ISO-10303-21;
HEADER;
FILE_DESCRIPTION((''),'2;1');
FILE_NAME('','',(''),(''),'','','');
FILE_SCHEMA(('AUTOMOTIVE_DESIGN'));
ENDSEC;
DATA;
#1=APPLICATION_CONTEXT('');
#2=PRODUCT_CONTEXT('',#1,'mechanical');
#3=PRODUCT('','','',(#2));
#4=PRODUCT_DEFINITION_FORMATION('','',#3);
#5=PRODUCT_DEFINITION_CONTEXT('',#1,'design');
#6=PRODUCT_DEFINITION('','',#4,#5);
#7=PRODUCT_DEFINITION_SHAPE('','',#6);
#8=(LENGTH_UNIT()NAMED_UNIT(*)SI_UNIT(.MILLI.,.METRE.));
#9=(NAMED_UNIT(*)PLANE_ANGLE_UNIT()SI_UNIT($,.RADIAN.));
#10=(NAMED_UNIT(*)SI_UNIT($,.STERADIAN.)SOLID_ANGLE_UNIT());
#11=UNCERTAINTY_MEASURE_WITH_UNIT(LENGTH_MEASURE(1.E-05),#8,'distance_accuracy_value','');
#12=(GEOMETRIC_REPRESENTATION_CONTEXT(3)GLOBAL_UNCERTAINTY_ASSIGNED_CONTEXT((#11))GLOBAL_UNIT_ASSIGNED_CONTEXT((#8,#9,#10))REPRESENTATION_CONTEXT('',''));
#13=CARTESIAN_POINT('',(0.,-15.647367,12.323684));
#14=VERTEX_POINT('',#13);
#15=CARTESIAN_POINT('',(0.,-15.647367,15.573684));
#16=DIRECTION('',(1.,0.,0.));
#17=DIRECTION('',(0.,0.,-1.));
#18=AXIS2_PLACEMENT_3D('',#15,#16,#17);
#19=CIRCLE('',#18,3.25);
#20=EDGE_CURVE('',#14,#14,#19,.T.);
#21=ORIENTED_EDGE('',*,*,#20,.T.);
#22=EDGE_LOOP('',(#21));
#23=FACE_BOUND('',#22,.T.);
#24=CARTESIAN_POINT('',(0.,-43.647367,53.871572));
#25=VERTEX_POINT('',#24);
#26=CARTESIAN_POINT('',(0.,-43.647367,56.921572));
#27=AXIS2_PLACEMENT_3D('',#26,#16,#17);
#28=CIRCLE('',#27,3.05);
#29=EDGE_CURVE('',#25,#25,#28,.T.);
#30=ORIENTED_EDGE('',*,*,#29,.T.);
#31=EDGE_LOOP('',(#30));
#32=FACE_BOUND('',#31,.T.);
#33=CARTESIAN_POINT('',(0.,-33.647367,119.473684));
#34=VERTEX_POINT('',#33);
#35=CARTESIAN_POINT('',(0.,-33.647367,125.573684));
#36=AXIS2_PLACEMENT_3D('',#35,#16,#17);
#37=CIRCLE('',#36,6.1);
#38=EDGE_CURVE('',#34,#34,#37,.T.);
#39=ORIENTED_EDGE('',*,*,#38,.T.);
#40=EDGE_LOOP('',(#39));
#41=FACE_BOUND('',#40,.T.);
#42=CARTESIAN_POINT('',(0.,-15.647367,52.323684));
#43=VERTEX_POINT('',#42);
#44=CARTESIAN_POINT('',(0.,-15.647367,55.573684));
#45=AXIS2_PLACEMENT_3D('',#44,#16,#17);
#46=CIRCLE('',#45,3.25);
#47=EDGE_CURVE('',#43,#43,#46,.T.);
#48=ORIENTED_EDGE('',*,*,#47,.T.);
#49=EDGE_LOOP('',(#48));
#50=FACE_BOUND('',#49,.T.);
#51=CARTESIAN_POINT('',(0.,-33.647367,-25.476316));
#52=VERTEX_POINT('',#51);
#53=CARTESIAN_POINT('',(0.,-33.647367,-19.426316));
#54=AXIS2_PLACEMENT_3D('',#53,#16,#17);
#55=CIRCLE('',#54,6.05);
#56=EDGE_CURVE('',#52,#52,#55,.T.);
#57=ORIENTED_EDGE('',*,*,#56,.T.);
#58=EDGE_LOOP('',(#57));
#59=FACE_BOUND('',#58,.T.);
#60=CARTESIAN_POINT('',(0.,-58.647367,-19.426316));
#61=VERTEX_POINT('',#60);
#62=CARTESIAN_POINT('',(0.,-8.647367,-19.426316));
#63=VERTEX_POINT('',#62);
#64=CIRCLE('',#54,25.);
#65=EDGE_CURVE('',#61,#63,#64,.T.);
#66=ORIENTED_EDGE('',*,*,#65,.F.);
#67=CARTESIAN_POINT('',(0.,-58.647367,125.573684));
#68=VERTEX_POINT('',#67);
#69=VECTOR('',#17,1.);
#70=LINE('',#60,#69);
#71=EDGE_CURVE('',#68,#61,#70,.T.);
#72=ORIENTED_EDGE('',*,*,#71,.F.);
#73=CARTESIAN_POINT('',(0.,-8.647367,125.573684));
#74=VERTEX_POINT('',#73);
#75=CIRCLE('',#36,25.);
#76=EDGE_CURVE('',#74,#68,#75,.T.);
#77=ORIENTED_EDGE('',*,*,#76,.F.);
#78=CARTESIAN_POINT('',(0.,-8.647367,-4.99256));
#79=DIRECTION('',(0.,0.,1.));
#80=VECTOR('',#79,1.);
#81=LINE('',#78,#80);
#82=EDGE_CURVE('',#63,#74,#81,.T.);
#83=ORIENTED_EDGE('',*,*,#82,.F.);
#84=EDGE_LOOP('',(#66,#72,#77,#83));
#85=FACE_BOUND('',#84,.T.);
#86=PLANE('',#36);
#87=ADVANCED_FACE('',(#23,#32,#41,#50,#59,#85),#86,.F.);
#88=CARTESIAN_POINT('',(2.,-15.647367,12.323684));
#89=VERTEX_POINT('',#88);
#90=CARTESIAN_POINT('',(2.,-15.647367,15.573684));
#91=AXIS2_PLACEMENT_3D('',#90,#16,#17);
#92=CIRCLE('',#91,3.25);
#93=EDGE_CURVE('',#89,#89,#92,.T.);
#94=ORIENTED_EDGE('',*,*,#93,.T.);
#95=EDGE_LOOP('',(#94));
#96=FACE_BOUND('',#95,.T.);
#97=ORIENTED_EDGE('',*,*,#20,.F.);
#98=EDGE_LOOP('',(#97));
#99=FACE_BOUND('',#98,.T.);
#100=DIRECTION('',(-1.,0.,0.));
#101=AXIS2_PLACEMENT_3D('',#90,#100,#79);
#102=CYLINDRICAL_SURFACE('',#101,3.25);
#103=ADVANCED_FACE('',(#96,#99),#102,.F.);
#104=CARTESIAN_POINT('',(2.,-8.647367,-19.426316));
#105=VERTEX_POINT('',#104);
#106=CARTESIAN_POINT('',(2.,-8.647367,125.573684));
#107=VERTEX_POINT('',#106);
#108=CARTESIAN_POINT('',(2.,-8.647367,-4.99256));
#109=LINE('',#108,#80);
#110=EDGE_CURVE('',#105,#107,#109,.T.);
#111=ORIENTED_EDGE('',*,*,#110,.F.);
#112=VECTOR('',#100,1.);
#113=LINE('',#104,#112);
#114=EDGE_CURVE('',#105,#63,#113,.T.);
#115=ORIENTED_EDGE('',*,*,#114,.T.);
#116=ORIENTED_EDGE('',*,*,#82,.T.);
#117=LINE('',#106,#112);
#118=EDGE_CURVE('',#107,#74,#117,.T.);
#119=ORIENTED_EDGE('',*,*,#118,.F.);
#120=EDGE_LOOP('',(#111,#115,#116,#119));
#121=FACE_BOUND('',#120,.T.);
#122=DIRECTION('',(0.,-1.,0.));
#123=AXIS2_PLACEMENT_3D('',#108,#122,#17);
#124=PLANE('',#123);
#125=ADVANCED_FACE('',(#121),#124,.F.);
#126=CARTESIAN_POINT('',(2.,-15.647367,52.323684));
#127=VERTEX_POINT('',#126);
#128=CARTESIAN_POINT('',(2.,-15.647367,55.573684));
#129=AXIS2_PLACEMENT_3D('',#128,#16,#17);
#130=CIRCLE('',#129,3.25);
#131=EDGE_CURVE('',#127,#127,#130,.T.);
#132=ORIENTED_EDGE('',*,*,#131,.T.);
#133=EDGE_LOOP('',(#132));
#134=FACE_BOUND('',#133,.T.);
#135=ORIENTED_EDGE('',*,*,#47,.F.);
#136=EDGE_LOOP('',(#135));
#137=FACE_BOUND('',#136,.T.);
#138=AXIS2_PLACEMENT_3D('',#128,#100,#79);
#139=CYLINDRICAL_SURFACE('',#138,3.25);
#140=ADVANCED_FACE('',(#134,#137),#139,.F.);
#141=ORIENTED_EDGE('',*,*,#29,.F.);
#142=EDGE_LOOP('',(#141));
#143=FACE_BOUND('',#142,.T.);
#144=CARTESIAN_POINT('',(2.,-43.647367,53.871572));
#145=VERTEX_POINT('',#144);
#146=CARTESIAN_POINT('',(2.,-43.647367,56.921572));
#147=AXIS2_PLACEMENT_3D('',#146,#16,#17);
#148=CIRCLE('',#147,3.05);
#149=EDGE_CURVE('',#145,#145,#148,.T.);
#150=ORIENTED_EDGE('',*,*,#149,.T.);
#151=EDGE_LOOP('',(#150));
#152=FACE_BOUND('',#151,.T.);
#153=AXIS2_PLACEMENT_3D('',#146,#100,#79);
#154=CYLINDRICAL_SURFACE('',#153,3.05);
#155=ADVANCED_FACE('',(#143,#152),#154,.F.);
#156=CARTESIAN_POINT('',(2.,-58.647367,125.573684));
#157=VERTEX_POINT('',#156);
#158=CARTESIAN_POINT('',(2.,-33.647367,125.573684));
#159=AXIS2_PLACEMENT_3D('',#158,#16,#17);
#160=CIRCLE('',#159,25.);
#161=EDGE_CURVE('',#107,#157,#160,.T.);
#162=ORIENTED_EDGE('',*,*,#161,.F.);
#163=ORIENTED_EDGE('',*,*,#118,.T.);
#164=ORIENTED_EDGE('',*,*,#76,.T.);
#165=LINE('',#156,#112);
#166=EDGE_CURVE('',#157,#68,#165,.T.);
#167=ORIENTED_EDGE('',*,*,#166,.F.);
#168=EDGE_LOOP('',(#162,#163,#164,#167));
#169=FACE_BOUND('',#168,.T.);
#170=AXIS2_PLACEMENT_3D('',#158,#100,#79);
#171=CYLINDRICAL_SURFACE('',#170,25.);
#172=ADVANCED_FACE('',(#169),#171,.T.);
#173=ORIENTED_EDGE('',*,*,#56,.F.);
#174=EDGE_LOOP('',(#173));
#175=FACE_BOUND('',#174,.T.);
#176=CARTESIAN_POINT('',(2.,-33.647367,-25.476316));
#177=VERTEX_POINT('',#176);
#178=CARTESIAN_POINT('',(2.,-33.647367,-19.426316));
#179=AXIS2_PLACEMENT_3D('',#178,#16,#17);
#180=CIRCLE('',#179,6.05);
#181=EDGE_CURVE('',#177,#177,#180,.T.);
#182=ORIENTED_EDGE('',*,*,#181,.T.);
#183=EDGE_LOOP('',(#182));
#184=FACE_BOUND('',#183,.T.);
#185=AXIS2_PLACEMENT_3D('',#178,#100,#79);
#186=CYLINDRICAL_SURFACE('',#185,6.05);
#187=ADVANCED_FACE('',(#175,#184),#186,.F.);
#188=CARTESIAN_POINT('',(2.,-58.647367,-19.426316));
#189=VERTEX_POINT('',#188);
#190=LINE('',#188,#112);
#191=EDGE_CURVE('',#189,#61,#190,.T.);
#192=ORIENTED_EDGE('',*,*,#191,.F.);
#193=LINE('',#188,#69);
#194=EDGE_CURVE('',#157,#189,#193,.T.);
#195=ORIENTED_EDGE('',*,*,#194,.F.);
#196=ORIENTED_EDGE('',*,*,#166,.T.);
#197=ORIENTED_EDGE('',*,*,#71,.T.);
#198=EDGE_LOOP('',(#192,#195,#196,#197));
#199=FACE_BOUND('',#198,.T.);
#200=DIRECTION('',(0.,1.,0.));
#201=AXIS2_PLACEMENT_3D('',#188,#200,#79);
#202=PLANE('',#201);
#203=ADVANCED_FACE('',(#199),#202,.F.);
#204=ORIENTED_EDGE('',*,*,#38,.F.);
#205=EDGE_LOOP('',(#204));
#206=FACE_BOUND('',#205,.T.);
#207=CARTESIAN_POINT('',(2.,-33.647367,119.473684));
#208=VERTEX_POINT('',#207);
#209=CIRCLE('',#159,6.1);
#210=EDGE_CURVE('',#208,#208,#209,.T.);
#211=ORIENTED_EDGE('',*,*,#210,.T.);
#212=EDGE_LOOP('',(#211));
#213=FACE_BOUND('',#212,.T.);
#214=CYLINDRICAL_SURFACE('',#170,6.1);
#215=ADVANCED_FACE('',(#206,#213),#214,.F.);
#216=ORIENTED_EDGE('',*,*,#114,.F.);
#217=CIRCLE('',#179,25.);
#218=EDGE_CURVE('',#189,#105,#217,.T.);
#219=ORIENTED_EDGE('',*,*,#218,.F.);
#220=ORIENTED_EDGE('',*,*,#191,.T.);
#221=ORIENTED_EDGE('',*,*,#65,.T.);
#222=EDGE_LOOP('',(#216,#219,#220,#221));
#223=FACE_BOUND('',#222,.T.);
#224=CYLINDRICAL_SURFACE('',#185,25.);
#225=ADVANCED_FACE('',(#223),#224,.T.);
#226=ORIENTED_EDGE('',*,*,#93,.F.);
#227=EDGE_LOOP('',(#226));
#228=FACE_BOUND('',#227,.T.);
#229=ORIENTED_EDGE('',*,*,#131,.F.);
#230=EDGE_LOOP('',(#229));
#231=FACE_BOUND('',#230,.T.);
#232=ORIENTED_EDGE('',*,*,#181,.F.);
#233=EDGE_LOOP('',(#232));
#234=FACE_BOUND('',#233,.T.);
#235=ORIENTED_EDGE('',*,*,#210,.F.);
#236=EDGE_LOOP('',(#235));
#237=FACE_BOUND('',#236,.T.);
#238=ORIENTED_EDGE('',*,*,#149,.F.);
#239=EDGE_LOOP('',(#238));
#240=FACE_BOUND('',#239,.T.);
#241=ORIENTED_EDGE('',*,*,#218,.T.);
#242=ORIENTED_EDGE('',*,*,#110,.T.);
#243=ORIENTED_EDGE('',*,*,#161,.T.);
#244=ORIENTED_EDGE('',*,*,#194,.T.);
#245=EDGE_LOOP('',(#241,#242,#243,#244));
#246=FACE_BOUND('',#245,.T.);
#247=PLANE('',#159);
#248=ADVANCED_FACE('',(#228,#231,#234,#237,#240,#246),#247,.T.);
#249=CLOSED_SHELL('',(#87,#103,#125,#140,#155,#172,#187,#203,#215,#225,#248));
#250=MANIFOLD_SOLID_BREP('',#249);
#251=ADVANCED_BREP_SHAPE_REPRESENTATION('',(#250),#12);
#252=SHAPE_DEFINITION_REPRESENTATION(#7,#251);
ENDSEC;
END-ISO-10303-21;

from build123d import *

# Parameters (mm, degrees)
SKETCH_1_R      = 6.05
SKETCH_1_R_2    = 6.1
SKETCH_1_R_3    = 3.05
SKETCH_1_R_4    = 3.25
EXTRUDE_1_DEPTH = 2


with BuildPart() as part:
    # 草图1 → 凸台-拉伸1 (new body)
    with BuildSketch(Plane(origin=(0, 0, 0), x_dir=(0, 0, -1), z_dir=(1, 0, 0))):
        with BuildLine():
            Line((19.426316451, -58.647367097), (-125.573683549, -58.647367097))
            ThreePointArc((-125.573683549, -58.647367097), (-150.573683549, -33.647367097), (-125.573683549, -8.647367097))
            Line((-125.573683549, -8.647367097), (4.992559722, -8.647367097))
            Line((4.992559722, -8.647367097), (19.426316451, -8.647367097))
            ThreePointArc((19.426316451, -8.647367097), (44.426316451, -33.647367097), (19.426316451, -58.647367097))
        make_face()
        with Locations((19.426316451, -33.647367097)):
            Circle(SKETCH_1_R, mode=Mode.SUBTRACT)
        with Locations((-125.573683549, -33.647367097)):
            Circle(SKETCH_1_R_2, mode=Mode.SUBTRACT)
        with Locations((-56.921571535, -43.647367097)):
            Circle(SKETCH_1_R_3, mode=Mode.SUBTRACT)
        with Locations((-15.573683549, -15.647367097)):
            Circle(SKETCH_1_R_4, mode=Mode.SUBTRACT)
        with Locations((-55.573683549, -15.647367097)):
            Circle(SKETCH_1_R_4, mode=Mode.SUBTRACT)
    extrude(amount=EXTRUDE_1_DEPTH)


solid = part.part
